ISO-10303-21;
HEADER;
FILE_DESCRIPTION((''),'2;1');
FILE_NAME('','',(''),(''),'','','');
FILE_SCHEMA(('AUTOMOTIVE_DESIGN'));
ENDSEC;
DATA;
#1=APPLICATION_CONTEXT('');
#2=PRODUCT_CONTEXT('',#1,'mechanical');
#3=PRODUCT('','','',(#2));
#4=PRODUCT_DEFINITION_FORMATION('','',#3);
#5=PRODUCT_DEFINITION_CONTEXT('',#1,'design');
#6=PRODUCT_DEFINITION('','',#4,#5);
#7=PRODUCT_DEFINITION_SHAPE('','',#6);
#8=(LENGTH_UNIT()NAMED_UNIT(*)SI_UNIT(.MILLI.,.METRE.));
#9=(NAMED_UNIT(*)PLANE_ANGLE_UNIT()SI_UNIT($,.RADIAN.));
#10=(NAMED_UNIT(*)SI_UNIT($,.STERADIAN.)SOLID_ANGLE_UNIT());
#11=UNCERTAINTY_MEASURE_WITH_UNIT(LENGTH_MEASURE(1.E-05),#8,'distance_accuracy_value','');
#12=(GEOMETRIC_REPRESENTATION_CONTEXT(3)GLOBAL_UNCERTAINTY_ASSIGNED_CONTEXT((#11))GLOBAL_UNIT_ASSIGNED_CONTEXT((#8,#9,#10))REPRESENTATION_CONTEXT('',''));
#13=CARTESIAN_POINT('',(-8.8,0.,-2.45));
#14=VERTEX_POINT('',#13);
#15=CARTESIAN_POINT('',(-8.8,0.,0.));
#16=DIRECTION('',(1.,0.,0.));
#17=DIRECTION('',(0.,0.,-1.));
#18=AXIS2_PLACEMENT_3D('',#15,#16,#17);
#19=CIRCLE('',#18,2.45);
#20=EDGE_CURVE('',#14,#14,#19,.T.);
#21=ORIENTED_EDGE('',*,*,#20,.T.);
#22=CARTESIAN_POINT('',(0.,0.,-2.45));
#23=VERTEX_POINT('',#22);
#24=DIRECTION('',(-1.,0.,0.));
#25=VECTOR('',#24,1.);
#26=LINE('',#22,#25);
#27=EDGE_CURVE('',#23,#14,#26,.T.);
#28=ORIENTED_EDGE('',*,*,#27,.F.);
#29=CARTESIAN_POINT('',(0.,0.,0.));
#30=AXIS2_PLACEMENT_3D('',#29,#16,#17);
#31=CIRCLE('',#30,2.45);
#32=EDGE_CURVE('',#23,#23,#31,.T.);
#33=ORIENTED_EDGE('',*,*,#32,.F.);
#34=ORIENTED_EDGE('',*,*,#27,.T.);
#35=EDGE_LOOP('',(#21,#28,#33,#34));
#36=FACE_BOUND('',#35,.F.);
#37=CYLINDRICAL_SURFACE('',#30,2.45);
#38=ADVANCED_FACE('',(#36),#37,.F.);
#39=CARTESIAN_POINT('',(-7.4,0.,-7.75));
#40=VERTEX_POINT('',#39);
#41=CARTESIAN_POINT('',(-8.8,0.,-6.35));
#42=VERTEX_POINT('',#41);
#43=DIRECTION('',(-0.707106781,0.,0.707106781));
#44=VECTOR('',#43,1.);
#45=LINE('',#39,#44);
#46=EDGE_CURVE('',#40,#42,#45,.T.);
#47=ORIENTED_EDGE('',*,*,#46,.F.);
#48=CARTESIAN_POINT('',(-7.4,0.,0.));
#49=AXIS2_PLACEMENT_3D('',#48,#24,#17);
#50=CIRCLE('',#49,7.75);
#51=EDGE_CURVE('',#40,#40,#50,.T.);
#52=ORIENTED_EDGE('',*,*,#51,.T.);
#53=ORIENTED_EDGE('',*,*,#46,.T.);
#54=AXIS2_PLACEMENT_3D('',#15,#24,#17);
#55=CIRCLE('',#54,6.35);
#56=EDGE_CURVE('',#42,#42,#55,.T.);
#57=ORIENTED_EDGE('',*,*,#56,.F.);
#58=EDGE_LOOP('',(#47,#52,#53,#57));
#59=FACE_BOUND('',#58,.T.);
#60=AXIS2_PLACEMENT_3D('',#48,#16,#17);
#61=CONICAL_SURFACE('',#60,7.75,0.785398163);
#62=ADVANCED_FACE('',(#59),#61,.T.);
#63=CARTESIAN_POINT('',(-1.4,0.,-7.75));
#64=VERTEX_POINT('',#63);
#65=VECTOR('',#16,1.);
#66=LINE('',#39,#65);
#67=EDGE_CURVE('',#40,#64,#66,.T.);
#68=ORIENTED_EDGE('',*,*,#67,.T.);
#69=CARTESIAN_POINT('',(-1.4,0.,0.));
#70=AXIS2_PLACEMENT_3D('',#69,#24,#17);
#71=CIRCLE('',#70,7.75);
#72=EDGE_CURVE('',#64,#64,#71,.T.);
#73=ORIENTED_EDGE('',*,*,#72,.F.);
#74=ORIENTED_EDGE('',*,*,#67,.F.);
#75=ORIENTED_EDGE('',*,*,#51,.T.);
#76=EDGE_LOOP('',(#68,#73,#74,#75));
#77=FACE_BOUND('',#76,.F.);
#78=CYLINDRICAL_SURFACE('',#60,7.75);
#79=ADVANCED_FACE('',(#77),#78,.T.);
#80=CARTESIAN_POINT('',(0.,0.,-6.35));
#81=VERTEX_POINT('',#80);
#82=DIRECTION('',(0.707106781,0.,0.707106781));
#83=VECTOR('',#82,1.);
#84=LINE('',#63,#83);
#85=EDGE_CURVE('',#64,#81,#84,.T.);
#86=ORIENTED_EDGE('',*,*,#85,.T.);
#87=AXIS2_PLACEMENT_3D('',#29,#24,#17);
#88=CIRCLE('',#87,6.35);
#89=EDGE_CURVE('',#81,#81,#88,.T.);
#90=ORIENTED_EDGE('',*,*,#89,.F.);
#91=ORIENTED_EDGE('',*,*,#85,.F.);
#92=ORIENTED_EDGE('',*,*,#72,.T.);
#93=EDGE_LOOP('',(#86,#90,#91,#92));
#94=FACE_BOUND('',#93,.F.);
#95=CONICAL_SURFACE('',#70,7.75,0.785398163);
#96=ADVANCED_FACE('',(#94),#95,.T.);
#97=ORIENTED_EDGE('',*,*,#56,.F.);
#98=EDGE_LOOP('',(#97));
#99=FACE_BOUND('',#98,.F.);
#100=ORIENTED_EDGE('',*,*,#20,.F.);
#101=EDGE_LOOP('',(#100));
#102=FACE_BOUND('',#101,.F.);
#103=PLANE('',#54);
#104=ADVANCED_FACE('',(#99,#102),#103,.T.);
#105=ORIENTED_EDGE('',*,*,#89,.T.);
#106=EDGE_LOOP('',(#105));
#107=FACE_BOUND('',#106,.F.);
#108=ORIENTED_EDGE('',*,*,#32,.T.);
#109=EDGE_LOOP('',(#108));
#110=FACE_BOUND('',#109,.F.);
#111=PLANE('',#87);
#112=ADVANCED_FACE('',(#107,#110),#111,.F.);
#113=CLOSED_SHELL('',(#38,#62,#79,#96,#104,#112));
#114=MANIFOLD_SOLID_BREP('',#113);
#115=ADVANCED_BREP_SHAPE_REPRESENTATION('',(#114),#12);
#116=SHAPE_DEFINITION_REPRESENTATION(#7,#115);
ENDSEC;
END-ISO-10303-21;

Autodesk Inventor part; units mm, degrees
ref_plane "YZ Plane" through (0, 0, 0) normal (1, 0, 0) x (0, 1, 0)
ref_plane "XZ Plane" through (0, 0, 0) normal (0, 1, 0) x (-1, 0, 0)
ref_plane "XY Plane" through (0, 0, 0) normal (0, 0, 1) x (1, 0, 0)
sketch "Sketch1" plane through (0, 0, 0) normal (0, 1, 0) x (-1, 0, 0)
  line L0 (0, 0) -> (8.8, 0)
  line L1 (8.8, 0) -> (8.8, -6.35)
  line L2 (7.4, -7.75) -> (1.4, -7.75)
  line L3 (0, -6.35) -> (0, 0)
  line L4 (7.4, -7.75) -> (8.8, -6.35)
  line L5 (1.4, -7.75) -> (0, -6.35)
  point P0 (8.8, -7.75)
  point P1 (0, -7.75)
  dimension "d0" = 7.75
  dimension "d1" = 8.8
  dimension "d6" = 6
  dimension "d7" = 1.4
  dimension "d8" = 1.4
  dimension "d9" = 135
  dimension "d10" = 135
revolve "Revolution1" add sketch "Sketch1" angle 360 about axis through (0, 0, 0) along (-1, 0, 0)
sketch "Sketch2" plane through (0, 0, 0) normal (1, 0, 0) x (0, 0, -1)
  circle A0 centre (0, 0) radius 6.35 construction
  circle A1 centre (0, 0) radius 2.45
  dimension "d12" = 4.9
extrude "Extrusion1" cut sketch "Sketch2" against normal through all
equation "\"d8\" = d7"
equation "\"d10\" = d9"
properties part number "VSlotWheel" material "ABS Plastic"
